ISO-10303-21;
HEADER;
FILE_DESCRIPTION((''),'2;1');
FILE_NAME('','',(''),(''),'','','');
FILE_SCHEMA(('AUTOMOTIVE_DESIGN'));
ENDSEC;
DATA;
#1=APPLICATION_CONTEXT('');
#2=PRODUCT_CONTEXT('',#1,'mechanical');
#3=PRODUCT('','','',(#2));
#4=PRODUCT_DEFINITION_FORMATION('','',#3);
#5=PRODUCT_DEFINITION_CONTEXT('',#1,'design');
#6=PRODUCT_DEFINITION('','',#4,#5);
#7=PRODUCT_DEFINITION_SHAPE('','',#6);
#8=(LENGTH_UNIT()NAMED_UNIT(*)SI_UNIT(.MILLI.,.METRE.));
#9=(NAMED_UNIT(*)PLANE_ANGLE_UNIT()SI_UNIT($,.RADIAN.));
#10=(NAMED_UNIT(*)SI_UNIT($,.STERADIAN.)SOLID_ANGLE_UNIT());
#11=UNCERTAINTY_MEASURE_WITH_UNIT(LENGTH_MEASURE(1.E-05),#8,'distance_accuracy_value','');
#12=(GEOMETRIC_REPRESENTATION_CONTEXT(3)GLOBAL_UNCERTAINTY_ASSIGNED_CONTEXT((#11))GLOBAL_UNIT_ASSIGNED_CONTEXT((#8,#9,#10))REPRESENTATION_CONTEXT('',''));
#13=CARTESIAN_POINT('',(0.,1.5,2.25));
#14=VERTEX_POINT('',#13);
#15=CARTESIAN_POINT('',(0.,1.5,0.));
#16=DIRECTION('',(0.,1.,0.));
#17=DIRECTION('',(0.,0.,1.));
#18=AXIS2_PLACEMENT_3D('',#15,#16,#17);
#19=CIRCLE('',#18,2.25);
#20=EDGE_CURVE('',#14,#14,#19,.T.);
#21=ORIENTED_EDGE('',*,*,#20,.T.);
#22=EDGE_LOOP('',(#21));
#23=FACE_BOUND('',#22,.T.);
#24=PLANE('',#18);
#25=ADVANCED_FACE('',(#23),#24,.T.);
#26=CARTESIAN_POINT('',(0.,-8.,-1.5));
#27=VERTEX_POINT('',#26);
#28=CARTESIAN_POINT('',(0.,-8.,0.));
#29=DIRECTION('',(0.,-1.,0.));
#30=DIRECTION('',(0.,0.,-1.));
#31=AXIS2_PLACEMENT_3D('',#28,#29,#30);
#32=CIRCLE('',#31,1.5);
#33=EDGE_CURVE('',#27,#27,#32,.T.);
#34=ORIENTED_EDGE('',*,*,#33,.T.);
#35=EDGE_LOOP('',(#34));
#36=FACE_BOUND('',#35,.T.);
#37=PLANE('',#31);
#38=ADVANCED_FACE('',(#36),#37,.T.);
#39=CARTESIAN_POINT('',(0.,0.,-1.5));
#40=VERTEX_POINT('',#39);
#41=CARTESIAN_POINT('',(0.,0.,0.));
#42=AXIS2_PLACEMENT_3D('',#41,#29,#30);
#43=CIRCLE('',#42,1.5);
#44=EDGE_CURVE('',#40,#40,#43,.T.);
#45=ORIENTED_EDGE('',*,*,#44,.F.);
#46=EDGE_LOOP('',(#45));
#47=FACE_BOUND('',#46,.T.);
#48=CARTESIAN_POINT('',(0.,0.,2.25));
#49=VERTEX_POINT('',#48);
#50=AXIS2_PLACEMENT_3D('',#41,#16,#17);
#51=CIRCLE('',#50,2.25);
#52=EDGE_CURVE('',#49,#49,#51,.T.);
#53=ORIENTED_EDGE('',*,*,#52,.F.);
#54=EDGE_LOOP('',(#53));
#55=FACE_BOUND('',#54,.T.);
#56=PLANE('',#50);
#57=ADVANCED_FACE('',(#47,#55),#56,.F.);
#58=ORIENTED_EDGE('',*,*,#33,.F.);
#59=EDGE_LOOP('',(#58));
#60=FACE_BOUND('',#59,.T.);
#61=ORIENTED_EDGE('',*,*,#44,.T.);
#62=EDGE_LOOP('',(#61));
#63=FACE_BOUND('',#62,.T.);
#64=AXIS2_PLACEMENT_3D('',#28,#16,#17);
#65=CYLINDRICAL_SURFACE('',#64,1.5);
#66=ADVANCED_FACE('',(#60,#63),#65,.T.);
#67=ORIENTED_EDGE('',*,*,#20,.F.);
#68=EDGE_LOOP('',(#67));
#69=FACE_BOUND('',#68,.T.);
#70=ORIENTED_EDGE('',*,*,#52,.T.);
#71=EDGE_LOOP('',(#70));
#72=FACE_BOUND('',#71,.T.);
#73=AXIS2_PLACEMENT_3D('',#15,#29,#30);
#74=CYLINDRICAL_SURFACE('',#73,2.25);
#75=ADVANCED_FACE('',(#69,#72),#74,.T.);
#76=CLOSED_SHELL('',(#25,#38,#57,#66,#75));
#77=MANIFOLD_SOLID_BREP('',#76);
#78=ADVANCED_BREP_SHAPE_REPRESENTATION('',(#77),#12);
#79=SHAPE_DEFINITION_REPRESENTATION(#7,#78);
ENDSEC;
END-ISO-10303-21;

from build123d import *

# Parameters (mm, degrees)
SKETCH_1_R      = 2.25
EXTRUDE_1_DEPTH = 1.5
SKETCH_2_R      = 1.5
EXTRUDE_2_DEPTH = 8


with BuildPart() as part:
    # 草图1 → 凸台-拉伸1 (new body)
    with BuildSketch(Plane(origin=(0, 0, 0), x_dir=(1, 0, 0), z_dir=(0, 1, 0))):
        with Locations(Location((0, 0, 0), (0, 0, 270))):
            Circle(SKETCH_1_R)
    extrude(amount=EXTRUDE_1_DEPTH)

    # 草图2 → 凸台-拉伸2 (add)
    with BuildSketch(Plane.XZ):
        with Locations(Location((0, 0, 0), (0, 0, 270))):
            Circle(SKETCH_2_R)
    extrude(amount=EXTRUDE_2_DEPTH)


solid = part.part
